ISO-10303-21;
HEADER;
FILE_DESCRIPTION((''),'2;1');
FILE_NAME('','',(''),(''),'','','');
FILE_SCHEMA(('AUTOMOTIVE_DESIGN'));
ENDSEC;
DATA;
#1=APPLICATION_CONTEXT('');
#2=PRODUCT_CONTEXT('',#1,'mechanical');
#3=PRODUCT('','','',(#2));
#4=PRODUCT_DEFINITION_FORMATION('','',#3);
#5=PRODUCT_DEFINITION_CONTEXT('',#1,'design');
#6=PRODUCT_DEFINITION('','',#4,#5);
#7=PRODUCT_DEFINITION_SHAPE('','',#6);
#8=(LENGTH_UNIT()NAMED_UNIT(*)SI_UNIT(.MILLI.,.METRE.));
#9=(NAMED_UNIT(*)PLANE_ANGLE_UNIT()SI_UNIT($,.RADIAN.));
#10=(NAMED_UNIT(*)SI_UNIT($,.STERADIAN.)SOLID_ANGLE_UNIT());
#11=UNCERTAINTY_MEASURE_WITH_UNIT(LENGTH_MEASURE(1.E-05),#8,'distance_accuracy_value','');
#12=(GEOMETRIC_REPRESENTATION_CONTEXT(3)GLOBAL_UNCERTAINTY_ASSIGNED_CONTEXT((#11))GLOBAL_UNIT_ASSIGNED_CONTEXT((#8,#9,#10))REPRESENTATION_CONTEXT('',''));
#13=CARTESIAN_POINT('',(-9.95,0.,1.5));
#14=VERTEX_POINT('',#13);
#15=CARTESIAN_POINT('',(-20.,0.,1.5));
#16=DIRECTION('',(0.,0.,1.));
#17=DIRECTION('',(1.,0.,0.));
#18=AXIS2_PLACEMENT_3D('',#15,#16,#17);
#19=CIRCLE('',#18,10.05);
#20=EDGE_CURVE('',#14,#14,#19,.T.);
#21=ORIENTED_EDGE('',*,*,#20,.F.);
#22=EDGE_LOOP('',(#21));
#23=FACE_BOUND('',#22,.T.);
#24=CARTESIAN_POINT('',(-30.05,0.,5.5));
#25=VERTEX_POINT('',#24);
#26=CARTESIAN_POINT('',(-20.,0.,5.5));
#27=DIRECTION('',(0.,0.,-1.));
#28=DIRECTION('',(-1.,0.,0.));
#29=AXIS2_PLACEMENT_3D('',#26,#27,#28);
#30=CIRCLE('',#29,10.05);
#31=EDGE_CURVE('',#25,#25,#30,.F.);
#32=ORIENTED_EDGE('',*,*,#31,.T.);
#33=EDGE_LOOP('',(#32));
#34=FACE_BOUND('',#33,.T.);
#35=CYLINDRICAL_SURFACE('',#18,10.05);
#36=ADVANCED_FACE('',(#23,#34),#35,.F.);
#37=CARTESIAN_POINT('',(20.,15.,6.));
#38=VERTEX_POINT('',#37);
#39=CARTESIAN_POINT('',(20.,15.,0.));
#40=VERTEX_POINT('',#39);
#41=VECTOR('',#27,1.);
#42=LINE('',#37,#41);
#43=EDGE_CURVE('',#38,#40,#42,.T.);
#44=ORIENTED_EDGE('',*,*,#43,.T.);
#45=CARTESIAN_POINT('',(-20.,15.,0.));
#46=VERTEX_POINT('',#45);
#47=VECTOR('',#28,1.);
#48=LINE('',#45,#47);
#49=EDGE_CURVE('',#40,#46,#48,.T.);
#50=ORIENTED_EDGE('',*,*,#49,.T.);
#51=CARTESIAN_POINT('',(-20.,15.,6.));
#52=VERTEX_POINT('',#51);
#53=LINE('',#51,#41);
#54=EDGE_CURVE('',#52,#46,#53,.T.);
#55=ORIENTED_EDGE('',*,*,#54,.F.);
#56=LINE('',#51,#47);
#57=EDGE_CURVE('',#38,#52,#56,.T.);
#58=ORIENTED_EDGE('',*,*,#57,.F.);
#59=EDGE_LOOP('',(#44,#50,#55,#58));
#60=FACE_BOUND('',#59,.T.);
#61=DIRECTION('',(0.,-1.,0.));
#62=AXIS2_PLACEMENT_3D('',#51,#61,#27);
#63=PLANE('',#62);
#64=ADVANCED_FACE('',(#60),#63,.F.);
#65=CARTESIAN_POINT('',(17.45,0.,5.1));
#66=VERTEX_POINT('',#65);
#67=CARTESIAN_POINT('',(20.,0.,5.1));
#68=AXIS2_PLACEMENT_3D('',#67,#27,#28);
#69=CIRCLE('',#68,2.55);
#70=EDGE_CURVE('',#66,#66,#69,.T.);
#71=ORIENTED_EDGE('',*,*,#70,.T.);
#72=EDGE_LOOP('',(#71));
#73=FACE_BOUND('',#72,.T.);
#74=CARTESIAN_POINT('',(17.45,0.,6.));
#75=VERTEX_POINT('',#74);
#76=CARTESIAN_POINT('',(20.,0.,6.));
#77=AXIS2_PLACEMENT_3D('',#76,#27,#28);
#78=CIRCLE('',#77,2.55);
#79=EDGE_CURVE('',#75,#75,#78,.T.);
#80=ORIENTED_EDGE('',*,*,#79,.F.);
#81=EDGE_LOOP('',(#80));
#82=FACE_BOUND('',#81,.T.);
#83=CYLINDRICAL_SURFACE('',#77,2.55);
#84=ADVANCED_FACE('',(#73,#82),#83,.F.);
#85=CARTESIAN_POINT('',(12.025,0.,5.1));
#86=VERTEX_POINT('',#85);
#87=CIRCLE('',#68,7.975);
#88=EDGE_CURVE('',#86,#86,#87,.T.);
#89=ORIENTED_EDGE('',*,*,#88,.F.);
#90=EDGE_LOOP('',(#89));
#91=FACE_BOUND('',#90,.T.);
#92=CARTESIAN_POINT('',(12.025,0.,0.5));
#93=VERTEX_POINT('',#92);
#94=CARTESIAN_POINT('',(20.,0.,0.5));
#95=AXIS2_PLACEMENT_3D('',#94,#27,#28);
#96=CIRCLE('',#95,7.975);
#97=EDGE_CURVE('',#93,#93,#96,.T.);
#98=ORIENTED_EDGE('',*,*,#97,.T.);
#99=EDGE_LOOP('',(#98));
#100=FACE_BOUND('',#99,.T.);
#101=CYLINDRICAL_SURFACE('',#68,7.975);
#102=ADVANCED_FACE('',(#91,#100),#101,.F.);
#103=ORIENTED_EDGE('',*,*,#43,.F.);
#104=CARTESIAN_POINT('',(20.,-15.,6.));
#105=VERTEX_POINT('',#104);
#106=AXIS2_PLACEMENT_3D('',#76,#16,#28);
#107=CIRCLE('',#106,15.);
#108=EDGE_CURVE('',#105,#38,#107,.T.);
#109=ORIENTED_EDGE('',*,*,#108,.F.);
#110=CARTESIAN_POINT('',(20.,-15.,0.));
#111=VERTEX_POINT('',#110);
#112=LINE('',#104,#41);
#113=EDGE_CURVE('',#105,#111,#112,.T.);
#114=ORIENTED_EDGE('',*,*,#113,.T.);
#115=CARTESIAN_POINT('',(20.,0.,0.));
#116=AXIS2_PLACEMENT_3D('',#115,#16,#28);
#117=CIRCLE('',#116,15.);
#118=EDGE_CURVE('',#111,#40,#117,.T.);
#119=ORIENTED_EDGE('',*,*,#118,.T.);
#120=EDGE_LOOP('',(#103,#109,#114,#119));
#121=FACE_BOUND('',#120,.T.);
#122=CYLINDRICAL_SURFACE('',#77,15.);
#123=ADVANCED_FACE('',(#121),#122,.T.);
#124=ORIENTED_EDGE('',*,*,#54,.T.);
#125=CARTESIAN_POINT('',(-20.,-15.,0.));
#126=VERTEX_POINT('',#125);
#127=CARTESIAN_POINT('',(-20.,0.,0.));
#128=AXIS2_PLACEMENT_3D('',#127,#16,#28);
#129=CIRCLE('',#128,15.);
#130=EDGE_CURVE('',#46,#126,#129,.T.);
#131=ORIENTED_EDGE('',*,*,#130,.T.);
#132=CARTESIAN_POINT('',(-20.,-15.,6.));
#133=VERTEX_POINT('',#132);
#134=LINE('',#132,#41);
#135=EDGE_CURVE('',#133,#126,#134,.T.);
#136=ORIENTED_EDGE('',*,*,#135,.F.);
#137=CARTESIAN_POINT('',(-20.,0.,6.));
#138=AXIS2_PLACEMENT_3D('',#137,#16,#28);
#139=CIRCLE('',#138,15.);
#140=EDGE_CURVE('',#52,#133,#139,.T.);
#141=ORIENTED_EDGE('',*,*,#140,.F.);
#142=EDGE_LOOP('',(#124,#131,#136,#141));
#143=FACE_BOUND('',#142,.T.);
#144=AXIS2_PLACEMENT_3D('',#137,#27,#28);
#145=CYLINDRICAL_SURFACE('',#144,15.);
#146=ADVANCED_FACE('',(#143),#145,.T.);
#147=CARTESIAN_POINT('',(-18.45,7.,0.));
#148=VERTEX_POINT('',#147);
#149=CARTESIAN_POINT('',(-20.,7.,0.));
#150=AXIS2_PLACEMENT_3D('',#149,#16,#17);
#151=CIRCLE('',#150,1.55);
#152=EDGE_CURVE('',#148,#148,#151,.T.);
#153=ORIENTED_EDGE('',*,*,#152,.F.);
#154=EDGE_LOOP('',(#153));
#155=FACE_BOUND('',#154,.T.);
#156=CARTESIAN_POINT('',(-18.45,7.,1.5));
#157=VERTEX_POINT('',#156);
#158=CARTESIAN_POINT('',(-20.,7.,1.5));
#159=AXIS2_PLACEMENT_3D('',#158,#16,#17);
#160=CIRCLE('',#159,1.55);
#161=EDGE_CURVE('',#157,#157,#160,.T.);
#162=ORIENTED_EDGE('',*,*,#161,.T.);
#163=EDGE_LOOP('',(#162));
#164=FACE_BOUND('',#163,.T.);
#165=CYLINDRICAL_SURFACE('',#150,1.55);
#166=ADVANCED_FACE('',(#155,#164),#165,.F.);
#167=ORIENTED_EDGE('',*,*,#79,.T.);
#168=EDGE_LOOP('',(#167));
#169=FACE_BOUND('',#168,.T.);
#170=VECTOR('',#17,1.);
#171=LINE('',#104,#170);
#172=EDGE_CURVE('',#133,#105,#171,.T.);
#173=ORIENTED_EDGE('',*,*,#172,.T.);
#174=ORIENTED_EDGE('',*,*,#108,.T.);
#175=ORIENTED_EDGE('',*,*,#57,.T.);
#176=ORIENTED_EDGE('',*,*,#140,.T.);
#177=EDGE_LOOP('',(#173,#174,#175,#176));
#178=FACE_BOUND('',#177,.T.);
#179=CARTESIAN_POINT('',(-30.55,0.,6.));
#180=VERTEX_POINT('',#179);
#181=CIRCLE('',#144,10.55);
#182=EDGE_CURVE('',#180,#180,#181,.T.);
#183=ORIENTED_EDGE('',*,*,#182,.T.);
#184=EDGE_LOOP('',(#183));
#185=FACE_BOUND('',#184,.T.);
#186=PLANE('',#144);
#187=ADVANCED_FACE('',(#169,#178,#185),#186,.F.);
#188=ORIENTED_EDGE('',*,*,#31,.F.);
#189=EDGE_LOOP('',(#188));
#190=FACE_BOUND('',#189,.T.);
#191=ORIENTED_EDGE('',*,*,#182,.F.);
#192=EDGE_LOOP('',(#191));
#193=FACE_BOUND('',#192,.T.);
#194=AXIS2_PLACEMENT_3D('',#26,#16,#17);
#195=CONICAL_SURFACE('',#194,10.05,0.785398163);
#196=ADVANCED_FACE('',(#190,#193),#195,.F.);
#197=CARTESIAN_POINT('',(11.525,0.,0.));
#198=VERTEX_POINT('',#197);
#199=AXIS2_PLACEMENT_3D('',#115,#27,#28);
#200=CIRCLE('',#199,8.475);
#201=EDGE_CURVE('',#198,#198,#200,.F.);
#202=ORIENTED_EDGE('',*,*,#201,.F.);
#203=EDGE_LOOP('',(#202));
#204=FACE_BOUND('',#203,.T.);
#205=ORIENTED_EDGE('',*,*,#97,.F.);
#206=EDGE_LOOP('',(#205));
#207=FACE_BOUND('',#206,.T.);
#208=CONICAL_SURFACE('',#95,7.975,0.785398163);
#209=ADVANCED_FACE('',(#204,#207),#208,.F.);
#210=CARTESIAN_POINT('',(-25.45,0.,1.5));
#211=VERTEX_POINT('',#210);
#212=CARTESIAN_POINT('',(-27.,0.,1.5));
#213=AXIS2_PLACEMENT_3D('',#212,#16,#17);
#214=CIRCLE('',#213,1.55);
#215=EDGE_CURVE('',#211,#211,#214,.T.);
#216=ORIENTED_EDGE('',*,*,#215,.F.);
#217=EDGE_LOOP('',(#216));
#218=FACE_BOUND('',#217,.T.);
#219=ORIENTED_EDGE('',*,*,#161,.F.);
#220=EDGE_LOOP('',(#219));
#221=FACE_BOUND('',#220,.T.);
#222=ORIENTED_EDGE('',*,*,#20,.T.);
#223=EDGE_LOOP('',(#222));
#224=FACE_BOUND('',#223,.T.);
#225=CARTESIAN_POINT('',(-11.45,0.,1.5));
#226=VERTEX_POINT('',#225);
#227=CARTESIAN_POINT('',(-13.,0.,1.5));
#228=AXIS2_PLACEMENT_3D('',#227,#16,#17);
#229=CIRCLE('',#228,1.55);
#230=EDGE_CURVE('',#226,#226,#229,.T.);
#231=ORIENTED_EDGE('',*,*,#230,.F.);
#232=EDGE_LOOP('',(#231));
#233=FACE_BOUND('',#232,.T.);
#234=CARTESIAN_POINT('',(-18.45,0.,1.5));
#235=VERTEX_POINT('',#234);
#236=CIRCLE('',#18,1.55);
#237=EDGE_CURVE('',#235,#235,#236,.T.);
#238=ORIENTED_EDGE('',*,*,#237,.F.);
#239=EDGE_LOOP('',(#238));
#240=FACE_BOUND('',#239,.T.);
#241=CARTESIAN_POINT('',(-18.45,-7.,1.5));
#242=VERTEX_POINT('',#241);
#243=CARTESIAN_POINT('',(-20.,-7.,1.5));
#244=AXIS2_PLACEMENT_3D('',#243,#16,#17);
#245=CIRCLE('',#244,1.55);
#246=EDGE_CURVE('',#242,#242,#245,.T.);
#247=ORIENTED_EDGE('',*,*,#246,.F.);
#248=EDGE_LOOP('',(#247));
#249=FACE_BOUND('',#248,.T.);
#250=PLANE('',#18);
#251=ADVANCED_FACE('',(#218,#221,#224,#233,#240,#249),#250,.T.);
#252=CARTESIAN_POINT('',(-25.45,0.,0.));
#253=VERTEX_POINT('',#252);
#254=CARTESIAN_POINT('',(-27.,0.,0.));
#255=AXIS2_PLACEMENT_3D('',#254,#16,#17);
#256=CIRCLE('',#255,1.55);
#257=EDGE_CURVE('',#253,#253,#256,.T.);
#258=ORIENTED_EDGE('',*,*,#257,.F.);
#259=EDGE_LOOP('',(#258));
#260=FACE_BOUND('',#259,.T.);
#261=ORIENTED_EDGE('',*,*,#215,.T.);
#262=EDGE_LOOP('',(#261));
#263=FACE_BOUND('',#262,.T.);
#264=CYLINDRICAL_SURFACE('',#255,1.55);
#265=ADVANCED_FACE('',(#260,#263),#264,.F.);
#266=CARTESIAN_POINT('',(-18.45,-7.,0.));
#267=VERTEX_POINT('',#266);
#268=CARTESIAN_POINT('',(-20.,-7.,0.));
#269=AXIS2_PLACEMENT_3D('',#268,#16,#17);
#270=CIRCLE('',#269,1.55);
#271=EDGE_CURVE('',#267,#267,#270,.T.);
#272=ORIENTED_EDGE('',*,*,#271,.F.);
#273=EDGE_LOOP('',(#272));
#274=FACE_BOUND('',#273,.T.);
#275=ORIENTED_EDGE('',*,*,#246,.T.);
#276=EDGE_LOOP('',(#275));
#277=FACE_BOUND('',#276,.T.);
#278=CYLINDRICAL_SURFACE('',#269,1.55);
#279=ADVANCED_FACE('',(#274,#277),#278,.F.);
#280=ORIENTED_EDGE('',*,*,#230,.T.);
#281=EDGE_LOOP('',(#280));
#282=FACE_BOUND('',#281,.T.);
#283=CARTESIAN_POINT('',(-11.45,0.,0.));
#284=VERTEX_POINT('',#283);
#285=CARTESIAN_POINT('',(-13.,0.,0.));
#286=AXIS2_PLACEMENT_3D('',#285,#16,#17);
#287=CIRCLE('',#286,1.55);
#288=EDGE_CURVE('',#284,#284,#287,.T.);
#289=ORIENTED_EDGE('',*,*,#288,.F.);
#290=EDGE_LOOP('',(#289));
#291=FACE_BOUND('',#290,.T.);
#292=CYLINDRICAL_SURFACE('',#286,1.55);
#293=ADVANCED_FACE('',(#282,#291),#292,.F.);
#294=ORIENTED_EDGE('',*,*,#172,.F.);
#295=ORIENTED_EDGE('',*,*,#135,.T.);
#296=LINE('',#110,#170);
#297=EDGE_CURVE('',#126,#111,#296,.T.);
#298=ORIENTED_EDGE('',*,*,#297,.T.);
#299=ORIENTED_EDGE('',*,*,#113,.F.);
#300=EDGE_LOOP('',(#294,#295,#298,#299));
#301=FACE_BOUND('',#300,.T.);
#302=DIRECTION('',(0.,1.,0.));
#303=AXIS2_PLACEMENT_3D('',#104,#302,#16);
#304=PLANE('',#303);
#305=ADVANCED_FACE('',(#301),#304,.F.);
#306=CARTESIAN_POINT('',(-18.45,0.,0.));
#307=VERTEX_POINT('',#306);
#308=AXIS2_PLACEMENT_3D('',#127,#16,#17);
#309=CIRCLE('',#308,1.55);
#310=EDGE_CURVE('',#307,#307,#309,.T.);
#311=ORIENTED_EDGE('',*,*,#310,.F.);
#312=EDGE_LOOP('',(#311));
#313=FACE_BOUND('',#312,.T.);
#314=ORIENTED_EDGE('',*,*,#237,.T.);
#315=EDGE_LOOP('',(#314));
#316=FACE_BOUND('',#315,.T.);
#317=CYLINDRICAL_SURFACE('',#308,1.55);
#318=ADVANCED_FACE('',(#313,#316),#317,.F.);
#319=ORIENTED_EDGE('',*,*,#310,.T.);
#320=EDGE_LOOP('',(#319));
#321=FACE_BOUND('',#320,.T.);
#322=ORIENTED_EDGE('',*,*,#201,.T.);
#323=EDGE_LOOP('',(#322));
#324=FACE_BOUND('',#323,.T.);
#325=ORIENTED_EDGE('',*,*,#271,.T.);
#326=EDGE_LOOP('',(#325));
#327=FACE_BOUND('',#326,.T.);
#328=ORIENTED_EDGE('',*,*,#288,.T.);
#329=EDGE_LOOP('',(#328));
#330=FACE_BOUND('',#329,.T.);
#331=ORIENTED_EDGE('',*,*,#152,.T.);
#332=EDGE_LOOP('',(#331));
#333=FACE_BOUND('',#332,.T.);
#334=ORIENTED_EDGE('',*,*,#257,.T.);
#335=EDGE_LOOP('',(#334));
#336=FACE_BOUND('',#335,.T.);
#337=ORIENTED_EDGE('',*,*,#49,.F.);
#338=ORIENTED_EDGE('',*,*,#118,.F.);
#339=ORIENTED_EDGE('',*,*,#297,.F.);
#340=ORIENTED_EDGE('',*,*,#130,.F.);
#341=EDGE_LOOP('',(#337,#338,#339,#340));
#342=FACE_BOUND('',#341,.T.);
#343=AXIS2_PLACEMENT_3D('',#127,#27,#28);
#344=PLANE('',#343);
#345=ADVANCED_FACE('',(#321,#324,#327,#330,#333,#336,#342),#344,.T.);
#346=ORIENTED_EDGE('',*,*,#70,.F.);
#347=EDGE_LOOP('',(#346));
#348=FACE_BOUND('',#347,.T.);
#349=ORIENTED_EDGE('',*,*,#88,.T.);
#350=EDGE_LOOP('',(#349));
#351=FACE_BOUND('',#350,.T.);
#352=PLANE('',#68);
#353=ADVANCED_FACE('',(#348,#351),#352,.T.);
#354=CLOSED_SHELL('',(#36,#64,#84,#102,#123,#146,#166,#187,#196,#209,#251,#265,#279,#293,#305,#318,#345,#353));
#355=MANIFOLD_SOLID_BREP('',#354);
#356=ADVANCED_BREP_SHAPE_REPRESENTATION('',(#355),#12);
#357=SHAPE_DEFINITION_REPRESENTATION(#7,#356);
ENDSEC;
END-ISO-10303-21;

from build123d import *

# Parameters (mm, degrees)
BOSS_EXTRUDE1_DEPTH = 6
SKETCH8_R           = 10.05
CUT_EXTRUDE4_DEPTH  = 4.5
SKETCH9_R           = 7.975
CUT_EXTRUDE5_DEPTH  = 5.1
SKETCH10_R          = 2.55
CUT_EXTRUDE6_DEPTH  = 1.9
SKETCH11_R          = 1.55
CUT_EXTRUDE7_DEPTH  = 2.5
CHAMFER1_SIZE       = 0.5


with BuildPart() as part:
    # Sketch4 → Boss-Extrude1 (new body)
    with BuildSketch(Plane.XY):
        with BuildLine():
            Line((-20, 15), (20, 15))
            ThreePointArc((20, 15), (35, 0), (20, -15))
            Line((20, -15), (-20, -15))
            ThreePointArc((-20, -15), (-35, 0), (-20, 15))
        make_face()
    extrude(amount=BOSS_EXTRUDE1_DEPTH)

    # Sketch8 → Cut-Extrude4 (cut)
    with BuildSketch(Plane.XY.offset(6)):
        with Locations((-20, 0)):
            Circle(SKETCH8_R)
    extrude(amount=-CUT_EXTRUDE4_DEPTH, mode=Mode.SUBTRACT)

    # Sketch9 → Cut-Extrude5 (cut)
    with BuildSketch(Plane(origin=(0, 0, 0), x_dir=(-1, 0, 0), z_dir=(0, 0, -1))):
        with Locations((-20, 0)):
            Circle(SKETCH9_R)
    extrude(amount=-CUT_EXTRUDE5_DEPTH, mode=Mode.SUBTRACT)

    # Sketch10 → Cut-Extrude6 (cut, through all)
    with BuildSketch(Plane(origin=(0, 0, 5.1), x_dir=(-1, 0, 0), z_dir=(0, 0, -1))):
        with Locations((-20, 0)):
            Circle(SKETCH10_R)
    extrude(amount=-CUT_EXTRUDE6_DEPTH, mode=Mode.SUBTRACT)

    # Sketch11 → Cut-Extrude7 (cut, through all)
    with BuildSketch(Plane.XY.offset(1.5)):
        with Locations((-20, 0)):
            Circle(SKETCH11_R)
        with Locations((-13, 0)):
            Circle(SKETCH11_R)
        with Locations((-27, 0)):
            Circle(SKETCH11_R)
        with Locations((-20, 7)):
            Circle(SKETCH11_R)
        with Locations((-20, -7)):
            Circle(SKETCH11_R)
    extrude(amount=-CUT_EXTRUDE7_DEPTH, mode=Mode.SUBTRACT)

    # Chamfer1
    chamfer1_edges = [part.edges().sort_by_distance(p)[0] for p in [
        (-30.05, 0, 6),
        (27.975, 0, 0),
    ]]
    chamfer(chamfer1_edges, length=CHAMFER1_SIZE)


solid = part.part
